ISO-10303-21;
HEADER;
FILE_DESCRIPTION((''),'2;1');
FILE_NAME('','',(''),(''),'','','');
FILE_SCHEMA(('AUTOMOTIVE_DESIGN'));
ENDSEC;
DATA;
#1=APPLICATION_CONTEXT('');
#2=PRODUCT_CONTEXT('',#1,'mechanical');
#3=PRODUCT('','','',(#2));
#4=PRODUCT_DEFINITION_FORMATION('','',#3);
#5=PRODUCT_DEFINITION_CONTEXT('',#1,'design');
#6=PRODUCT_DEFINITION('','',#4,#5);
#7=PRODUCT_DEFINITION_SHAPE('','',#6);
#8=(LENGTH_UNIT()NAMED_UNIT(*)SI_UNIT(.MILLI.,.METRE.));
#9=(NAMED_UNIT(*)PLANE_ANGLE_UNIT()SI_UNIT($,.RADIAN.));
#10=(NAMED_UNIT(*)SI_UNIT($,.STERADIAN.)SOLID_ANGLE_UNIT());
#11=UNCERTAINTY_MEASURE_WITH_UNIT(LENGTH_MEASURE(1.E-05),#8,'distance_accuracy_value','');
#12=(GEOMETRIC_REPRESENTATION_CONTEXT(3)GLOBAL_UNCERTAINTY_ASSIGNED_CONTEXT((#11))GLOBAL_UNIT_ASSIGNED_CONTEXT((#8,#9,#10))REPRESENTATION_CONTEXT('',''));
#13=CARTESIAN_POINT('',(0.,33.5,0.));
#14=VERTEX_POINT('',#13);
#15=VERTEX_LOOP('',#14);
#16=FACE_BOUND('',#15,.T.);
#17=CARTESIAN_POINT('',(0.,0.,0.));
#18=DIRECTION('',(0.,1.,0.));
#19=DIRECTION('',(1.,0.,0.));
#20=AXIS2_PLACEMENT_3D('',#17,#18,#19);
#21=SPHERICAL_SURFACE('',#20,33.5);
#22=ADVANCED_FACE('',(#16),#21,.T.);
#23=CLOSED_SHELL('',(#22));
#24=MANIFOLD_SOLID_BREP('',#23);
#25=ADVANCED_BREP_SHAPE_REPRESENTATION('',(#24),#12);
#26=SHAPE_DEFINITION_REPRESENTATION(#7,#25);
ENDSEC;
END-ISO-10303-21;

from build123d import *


with BuildPart() as part:
    # Sketch1 → Revolve1 (revolve)
    with BuildSketch(Plane.XY):
        with BuildLine():
            Line((0, 33.5), (0, 28.75))
            Line((0, 28.75), (0, -28.75))
            Line((0, -28.75), (0, -33.5))
            ThreePointArc((0, -33.5), (-33.5, 0), (0, 33.5))
        make_face()
    revolve(axis=Axis((0, 105.084210526, 0), (0, -1, 0)))


solid = part.part
